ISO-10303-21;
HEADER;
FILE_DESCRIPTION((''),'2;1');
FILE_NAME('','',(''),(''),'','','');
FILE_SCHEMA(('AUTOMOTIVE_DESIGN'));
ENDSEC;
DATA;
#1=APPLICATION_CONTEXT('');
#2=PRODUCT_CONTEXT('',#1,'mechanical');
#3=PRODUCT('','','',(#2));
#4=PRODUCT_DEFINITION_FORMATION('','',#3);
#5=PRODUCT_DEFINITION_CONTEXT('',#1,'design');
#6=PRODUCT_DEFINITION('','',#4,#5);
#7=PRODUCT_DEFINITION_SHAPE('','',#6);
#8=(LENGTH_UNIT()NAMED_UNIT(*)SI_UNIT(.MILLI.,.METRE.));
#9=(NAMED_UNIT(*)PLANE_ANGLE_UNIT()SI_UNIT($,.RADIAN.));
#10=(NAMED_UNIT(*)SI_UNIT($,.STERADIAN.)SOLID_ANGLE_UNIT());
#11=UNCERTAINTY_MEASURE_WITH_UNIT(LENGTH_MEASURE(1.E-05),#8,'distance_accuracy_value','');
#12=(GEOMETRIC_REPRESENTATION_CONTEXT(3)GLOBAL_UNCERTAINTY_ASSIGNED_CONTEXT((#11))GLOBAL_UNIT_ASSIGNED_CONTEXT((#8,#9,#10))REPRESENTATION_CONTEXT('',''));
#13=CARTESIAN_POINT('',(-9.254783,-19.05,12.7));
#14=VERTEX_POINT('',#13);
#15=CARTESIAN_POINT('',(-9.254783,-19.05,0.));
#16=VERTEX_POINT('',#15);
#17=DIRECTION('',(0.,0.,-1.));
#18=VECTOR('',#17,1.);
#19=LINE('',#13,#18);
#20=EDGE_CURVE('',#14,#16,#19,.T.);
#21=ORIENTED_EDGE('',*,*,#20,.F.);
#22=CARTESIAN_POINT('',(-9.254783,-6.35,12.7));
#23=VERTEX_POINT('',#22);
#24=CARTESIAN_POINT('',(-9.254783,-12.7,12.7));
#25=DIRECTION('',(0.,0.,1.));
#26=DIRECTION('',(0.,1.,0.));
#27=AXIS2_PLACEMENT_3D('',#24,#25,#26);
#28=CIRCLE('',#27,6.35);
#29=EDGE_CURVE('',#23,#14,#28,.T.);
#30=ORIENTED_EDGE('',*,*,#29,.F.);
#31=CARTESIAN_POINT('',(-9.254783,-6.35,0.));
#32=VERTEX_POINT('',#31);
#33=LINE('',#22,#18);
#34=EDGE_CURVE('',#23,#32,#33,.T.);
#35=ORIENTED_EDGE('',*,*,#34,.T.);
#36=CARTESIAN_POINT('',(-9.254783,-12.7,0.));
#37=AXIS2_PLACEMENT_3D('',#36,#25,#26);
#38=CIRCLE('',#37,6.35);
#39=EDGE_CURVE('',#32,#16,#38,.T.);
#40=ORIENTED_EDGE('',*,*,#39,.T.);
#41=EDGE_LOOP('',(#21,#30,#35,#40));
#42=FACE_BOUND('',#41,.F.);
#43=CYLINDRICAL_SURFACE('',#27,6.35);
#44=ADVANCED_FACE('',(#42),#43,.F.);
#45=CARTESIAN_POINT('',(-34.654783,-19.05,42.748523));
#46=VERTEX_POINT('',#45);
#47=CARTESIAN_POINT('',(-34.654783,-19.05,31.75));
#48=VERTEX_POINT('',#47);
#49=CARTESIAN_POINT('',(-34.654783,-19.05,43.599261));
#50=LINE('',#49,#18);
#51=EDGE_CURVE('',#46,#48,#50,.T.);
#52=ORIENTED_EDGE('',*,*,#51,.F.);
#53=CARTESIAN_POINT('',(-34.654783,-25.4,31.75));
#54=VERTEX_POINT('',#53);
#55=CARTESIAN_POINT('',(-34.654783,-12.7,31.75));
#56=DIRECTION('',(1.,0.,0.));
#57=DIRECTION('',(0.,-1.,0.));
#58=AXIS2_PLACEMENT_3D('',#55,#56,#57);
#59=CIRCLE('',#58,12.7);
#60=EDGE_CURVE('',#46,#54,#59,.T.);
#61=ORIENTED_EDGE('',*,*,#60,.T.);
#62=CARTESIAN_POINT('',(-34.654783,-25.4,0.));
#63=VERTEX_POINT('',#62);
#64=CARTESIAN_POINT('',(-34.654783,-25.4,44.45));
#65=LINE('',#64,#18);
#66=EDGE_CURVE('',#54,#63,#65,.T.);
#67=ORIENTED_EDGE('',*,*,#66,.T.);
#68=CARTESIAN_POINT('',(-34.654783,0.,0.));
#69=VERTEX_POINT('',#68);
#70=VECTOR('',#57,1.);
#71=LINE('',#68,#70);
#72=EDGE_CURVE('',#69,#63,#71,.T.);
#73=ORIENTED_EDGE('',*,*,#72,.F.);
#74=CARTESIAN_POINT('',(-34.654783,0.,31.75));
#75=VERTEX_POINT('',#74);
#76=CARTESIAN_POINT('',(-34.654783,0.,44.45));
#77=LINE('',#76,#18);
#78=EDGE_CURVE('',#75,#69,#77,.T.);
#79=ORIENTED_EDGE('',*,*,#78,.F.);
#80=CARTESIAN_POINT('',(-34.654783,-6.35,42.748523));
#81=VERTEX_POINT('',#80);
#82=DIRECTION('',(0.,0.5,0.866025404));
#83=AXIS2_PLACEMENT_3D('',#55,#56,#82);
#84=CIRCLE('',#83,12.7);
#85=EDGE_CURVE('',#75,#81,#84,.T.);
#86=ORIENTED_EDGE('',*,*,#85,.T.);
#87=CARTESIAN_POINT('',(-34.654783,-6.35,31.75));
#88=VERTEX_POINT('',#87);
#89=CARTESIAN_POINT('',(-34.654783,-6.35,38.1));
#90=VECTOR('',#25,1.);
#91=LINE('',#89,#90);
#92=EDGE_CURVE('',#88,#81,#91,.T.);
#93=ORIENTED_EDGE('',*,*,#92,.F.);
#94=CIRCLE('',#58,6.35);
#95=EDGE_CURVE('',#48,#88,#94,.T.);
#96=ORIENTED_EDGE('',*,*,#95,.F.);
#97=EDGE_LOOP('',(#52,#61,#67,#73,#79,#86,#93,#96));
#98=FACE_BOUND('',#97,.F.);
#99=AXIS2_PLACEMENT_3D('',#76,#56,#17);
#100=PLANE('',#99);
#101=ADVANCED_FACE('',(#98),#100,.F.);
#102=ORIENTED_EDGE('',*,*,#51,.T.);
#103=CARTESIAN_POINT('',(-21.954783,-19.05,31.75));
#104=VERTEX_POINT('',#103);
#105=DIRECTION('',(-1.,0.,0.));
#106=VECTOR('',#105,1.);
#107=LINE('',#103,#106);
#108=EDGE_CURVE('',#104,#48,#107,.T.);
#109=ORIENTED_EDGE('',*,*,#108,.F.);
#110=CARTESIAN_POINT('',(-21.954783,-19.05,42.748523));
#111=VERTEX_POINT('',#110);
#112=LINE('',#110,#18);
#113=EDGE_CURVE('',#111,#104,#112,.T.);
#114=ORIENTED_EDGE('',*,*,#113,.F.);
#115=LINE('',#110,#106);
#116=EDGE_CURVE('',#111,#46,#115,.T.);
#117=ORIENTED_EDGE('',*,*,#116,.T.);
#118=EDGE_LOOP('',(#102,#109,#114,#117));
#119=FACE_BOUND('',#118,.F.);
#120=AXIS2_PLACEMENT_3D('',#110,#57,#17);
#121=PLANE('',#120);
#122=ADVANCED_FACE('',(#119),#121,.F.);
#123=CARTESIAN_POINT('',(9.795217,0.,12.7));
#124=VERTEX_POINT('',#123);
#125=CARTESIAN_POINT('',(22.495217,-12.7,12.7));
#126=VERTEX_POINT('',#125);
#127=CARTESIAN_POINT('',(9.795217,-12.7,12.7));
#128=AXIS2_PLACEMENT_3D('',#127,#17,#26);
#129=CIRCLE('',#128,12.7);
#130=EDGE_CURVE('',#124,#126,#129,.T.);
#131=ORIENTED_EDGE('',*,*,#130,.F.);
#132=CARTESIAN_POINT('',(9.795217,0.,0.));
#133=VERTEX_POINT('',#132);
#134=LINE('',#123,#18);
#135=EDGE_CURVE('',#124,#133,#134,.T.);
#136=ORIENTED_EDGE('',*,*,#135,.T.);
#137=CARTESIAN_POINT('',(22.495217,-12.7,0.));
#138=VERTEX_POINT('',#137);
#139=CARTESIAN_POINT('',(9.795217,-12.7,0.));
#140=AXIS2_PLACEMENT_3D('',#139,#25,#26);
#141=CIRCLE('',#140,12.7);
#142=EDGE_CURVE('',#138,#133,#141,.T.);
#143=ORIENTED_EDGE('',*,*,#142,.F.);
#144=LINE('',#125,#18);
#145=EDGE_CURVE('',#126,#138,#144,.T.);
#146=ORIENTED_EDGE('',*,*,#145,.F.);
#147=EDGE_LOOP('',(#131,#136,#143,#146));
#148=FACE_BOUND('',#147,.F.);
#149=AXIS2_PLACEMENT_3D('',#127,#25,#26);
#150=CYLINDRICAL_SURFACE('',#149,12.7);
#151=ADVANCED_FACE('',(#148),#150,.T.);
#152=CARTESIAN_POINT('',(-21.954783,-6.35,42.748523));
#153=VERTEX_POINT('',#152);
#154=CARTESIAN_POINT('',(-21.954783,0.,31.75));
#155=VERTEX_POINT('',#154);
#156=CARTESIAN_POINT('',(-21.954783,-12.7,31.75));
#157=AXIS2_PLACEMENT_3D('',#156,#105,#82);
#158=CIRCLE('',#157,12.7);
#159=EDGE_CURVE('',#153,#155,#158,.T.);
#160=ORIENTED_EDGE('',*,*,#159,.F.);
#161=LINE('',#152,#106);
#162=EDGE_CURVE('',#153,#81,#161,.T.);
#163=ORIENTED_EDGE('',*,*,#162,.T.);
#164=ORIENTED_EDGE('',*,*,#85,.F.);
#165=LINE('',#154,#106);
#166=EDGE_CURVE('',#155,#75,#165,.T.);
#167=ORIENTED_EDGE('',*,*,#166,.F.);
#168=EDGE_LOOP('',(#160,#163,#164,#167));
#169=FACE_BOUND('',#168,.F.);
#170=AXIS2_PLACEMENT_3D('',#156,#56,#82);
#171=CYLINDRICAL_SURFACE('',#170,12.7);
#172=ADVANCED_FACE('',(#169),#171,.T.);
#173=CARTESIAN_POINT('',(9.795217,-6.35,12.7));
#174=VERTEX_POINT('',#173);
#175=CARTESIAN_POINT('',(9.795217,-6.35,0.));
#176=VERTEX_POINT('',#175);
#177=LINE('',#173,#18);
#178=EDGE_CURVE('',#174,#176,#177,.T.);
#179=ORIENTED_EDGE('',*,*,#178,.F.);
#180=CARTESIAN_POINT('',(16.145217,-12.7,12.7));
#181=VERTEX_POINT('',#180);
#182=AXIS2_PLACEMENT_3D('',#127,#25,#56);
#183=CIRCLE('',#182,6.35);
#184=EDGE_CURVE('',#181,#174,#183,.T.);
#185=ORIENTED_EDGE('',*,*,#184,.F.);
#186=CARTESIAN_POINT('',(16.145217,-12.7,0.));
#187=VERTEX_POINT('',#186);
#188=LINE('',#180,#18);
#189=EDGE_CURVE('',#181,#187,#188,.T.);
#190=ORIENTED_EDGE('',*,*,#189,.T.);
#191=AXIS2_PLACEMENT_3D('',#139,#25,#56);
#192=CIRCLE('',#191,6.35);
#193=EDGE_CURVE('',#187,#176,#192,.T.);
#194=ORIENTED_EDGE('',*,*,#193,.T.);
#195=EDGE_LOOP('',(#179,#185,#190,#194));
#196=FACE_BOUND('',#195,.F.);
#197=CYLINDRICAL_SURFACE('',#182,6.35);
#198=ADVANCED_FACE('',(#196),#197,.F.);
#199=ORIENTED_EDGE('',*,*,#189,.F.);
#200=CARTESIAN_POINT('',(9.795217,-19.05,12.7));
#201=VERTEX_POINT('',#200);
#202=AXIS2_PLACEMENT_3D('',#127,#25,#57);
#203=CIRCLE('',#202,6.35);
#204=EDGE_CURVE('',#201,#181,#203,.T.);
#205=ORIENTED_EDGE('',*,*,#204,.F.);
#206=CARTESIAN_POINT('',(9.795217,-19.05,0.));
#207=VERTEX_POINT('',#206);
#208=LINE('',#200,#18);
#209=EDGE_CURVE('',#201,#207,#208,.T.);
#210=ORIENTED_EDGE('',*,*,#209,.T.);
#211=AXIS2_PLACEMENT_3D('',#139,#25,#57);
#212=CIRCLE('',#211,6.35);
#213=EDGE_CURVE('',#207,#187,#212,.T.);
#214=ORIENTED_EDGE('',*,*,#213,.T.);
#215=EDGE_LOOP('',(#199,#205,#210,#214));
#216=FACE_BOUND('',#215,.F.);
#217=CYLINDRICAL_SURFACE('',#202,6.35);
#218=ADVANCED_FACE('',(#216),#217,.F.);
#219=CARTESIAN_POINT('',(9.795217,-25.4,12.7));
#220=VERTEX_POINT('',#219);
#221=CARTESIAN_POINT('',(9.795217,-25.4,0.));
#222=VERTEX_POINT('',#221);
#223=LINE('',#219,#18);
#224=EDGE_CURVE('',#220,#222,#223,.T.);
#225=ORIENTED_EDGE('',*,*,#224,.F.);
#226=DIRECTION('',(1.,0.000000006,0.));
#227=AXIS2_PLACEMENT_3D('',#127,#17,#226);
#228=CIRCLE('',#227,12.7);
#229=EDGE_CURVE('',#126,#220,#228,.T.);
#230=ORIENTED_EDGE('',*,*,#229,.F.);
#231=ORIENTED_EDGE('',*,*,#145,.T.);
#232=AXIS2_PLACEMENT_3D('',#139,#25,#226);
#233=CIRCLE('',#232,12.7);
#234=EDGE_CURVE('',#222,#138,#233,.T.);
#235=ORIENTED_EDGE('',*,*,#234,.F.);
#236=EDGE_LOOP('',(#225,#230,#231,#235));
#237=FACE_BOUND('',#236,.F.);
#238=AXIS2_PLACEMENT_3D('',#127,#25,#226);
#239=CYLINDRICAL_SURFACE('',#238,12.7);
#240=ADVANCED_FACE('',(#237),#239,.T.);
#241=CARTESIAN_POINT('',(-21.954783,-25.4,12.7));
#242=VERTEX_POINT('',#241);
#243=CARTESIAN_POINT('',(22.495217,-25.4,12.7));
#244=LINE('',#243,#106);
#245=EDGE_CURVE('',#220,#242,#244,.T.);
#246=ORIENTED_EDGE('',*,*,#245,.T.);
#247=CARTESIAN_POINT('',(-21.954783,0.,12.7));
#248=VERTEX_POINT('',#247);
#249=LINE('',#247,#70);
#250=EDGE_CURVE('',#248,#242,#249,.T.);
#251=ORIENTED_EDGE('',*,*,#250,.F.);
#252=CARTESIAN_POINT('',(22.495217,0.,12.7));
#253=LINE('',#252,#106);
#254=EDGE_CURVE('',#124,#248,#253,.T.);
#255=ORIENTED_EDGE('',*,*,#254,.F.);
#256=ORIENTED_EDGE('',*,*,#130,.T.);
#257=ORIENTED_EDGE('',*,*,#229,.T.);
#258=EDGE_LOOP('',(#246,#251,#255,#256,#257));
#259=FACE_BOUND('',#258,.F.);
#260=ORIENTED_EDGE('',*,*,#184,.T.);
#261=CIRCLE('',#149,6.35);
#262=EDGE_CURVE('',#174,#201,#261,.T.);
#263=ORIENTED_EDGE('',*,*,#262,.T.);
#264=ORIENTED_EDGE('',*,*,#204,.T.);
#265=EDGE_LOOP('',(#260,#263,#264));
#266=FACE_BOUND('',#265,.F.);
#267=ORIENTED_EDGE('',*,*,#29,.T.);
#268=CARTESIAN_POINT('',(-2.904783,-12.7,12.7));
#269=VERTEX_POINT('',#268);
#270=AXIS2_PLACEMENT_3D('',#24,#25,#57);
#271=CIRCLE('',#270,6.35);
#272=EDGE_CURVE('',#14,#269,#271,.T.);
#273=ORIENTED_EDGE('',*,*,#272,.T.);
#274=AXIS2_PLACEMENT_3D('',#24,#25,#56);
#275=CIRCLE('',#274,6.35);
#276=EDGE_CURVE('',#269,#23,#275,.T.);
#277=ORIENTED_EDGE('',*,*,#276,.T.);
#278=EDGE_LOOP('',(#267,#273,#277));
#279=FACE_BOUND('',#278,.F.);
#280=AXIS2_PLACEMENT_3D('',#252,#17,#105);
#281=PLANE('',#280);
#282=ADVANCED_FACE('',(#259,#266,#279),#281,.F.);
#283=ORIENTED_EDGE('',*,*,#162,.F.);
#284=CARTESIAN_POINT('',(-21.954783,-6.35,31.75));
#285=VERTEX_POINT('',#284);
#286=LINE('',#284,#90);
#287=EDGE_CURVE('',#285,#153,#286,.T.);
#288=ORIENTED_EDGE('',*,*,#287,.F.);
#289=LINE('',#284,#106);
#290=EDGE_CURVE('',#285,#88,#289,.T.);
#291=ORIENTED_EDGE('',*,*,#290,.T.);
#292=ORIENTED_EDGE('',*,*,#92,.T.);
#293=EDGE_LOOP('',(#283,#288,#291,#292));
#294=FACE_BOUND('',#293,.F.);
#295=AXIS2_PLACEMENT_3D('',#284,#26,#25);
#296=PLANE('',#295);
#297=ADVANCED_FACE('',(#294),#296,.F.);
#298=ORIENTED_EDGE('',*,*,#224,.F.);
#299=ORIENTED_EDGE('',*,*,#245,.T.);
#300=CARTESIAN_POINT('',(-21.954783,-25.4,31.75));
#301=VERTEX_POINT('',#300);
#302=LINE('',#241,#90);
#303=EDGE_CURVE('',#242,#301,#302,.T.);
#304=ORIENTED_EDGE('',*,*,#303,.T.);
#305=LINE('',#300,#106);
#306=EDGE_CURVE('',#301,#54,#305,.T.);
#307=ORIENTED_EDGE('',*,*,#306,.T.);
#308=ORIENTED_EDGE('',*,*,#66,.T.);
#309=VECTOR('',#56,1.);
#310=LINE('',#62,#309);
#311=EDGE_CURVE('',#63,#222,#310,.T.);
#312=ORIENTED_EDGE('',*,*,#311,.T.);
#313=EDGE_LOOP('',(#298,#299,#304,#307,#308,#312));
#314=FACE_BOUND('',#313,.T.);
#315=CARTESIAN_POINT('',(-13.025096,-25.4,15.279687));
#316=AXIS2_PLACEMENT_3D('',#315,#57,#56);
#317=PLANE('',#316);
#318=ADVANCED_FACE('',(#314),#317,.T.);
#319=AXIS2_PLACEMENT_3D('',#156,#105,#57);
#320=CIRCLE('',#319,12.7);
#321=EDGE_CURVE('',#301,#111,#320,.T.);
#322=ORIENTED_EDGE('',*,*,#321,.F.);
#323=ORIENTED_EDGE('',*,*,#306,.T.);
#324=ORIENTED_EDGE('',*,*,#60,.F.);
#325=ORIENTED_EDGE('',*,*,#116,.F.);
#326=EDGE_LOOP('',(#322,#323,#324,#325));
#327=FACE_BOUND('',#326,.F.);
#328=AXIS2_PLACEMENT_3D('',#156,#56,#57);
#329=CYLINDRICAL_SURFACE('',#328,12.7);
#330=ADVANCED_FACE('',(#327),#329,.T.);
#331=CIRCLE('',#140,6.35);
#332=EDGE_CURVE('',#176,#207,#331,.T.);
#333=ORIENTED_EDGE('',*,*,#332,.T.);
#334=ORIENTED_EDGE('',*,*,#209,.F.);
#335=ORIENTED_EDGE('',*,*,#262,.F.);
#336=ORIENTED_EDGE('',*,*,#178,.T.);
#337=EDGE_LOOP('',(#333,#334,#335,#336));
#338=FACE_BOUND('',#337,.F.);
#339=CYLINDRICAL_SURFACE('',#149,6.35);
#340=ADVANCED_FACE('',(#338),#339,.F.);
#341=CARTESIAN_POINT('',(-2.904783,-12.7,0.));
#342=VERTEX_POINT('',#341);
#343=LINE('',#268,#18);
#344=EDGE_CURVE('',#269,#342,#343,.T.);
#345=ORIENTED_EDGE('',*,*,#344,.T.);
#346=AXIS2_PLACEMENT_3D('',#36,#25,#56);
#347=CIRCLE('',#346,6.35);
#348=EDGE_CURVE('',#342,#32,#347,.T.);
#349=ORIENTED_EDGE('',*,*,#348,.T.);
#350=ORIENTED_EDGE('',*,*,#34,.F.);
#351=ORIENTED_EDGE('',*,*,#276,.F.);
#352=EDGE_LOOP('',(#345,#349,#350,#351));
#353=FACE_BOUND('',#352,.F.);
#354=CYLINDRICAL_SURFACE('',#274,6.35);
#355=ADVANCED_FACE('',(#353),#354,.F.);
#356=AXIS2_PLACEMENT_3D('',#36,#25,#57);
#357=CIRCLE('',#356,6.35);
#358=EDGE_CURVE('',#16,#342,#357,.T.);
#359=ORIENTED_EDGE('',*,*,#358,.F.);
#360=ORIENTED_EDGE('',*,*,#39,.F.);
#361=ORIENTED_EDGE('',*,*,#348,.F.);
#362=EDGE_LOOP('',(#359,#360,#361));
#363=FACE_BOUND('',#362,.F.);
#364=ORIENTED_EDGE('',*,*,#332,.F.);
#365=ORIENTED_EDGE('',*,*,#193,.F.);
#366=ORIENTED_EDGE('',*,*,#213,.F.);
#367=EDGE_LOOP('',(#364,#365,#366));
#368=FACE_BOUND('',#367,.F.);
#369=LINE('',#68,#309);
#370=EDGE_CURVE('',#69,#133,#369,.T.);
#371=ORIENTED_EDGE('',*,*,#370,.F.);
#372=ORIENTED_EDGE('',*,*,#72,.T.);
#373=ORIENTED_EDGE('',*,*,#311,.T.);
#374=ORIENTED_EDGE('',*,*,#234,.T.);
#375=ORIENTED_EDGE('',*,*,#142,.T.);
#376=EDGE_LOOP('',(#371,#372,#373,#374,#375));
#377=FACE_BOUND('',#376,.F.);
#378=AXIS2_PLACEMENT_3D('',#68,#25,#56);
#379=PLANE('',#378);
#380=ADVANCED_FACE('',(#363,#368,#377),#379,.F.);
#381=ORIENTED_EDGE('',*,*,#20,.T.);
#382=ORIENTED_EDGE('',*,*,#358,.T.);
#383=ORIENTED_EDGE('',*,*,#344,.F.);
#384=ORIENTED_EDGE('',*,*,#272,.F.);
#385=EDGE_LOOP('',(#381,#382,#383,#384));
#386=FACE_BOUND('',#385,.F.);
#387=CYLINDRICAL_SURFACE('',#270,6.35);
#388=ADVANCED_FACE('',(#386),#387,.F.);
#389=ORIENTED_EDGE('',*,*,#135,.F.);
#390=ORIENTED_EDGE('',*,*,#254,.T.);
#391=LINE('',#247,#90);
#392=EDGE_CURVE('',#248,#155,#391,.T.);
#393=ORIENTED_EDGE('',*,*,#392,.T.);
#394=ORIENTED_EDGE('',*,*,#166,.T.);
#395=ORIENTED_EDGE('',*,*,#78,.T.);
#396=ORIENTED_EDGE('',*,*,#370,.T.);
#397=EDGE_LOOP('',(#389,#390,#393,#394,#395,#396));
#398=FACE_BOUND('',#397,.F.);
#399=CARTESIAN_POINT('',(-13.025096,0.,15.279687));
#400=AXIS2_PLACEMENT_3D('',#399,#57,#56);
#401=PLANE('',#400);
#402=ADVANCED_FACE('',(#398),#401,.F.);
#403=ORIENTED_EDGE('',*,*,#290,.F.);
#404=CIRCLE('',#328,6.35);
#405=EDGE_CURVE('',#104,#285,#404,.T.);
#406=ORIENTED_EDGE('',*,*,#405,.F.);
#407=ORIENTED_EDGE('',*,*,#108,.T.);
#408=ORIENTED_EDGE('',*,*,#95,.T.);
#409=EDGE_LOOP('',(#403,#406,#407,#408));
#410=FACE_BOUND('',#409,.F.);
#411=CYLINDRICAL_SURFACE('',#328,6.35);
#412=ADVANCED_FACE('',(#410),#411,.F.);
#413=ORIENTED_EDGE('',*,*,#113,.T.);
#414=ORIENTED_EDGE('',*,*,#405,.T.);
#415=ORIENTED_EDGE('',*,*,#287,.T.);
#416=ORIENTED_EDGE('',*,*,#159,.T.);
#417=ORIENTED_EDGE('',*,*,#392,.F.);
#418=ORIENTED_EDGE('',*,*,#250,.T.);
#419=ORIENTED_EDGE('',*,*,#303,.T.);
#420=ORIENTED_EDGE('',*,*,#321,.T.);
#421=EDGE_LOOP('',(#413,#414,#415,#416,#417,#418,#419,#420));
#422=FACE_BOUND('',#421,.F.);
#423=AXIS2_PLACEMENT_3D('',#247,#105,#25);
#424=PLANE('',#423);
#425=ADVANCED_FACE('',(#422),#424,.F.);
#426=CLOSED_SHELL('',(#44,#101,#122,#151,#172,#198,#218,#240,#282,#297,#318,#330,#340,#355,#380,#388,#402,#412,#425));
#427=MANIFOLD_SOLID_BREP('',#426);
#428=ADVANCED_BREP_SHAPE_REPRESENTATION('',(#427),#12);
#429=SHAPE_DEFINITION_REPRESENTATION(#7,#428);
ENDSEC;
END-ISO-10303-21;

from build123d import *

# Parameters (mm, degrees)
F1_DEPTH = 25.4
F3_DEPTH = 12.701
F5_DEPTH = 12.701


with BuildPart() as f1:
    # F0 (on Front) → F1 (new body)
    with BuildSketch(Plane.XZ):
        Polygon((-34.6547834919, 44.45), (-34.6547834919, 0), (22.4952165081, 0), (22.4952165081, 12.7), (-21.9547834919, 12.7), (-21.9547834919, 44.45), align=None)
    extrude(amount=F1_DEPTH)

    # F2 (on face) → F3 (cut, through all)
    with BuildSketch(Plane.XY.offset(12.7)):
        with BuildLine():
            ThreePointArc((-2.9047834919, -12.7), (-4.7646554313, -8.2098719395), (-9.2547834919, -6.35))
            Line((-9.2547834919, -6.35), (-9.2547834919, -19.05))
            ThreePointArc((-9.2547834919, -19.05), (-4.7646554313, -17.1901280605), (-2.9047834919, -12.7))
        make_face()
        with BuildLine():
            Line((-9.2547834919, -19.05), (-9.2547834919, -6.35))
            ThreePointArc((-9.2547834919, -6.35), (-15.6047834919, -12.7), (-9.2547834919, -19.05))
        make_face()
        with BuildLine():
            Line((9.7952165081, -19.05), (9.7952165081, -6.35))
            ThreePointArc((9.7952165081, -6.35), (3.4452165081, -12.7), (9.7952165081, -19.05))
        make_face()
        with BuildLine():
            ThreePointArc((16.1452165081, -12.7), (14.2853445687, -8.2098719395), (9.7952165081, -6.35))
            Line((9.7952165081, -6.35), (9.7952165081, -19.05))
            ThreePointArc((9.7952165081, -19.05), (14.2853445687, -17.1901280605), (16.1452165081, -12.7))
        make_face()
        with BuildLine():
            Line((22.4952165081, 0), (9.7952165081, 0))
            ThreePointArc((9.7952165081, 0), (18.7754726014, -3.7197438511), (22.4952165081, -12.6999999213))
            Line((22.4952165081, -12.6999999213), (22.4952165081, 0))
        make_face()
        with BuildLine():
            Line((22.4952165081, -25.4), (22.4952165081, -12.6999999213))
            ThreePointArc((22.4952165081, -12.6999999213), (18.775472657, -21.6802560932), (9.7952165081, -25.4))
            Line((9.7952165081, -25.4), (22.4952165081, -25.4))
        make_face()
    extrude(amount=-F3_DEPTH, mode=Mode.SUBTRACT)

    # F4 (on face) → F5 (cut, through all)
    with BuildSketch(Plane.YZ.offset(-21.9547834919)):
        with BuildLine():
            Line((-19.05, 42.7485226281), (-19.05, 31.75))
            ThreePointArc((-19.05, 31.75), (-12.7, 38.1), (-6.35, 31.75))
            Line((-6.35, 31.75), (-6.35, 42.7485226281))
            ThreePointArc((-6.35, 42.7485226281), (-9.4129981272, 44.0172579939), (-12.7, 44.45))
            ThreePointArc((-12.7, 44.45), (-15.9870018728, 44.0172579939), (-19.05, 42.7485226281))
        make_face()
        with BuildLine():
            Line((-25.4, 44.45), (-25.4, 31.75))
            ThreePointArc((-25.4, 31.75), (-23.6985226281, 38.1), (-19.05, 42.7485226281))
            ThreePointArc((-19.05, 42.7485226281), (-15.9870018728, 44.0172579939), (-12.7, 44.45))
            Line((-12.7, 44.45), (-25.4, 44.45))
        make_face()
        with BuildLine():
            Line((0, 44.45), (-12.7, 44.45))
            ThreePointArc((-12.7, 44.45), (-9.4129981272, 44.0172579939), (-6.35, 42.7485226281))
            ThreePointArc((-6.35, 42.7485226281), (-1.7014773719, 38.1), (0, 31.75))
            Line((0, 31.75), (0, 44.45))
        make_face()
        with BuildLine():
            ThreePointArc((-6.35, 31.75), (-12.7, 38.1), (-19.05, 31.75))
            Line((-19.05, 31.75), (-6.35, 31.75))
        make_face()
        with BuildLine():
            Line((-6.35, 31.75), (-19.05, 31.75))
            ThreePointArc((-19.05, 31.75), (-12.7, 25.4), (-6.35, 31.75))
        make_face()
    extrude(amount=-F5_DEPTH, mode=Mode.SUBTRACT)


solid = f1.part
